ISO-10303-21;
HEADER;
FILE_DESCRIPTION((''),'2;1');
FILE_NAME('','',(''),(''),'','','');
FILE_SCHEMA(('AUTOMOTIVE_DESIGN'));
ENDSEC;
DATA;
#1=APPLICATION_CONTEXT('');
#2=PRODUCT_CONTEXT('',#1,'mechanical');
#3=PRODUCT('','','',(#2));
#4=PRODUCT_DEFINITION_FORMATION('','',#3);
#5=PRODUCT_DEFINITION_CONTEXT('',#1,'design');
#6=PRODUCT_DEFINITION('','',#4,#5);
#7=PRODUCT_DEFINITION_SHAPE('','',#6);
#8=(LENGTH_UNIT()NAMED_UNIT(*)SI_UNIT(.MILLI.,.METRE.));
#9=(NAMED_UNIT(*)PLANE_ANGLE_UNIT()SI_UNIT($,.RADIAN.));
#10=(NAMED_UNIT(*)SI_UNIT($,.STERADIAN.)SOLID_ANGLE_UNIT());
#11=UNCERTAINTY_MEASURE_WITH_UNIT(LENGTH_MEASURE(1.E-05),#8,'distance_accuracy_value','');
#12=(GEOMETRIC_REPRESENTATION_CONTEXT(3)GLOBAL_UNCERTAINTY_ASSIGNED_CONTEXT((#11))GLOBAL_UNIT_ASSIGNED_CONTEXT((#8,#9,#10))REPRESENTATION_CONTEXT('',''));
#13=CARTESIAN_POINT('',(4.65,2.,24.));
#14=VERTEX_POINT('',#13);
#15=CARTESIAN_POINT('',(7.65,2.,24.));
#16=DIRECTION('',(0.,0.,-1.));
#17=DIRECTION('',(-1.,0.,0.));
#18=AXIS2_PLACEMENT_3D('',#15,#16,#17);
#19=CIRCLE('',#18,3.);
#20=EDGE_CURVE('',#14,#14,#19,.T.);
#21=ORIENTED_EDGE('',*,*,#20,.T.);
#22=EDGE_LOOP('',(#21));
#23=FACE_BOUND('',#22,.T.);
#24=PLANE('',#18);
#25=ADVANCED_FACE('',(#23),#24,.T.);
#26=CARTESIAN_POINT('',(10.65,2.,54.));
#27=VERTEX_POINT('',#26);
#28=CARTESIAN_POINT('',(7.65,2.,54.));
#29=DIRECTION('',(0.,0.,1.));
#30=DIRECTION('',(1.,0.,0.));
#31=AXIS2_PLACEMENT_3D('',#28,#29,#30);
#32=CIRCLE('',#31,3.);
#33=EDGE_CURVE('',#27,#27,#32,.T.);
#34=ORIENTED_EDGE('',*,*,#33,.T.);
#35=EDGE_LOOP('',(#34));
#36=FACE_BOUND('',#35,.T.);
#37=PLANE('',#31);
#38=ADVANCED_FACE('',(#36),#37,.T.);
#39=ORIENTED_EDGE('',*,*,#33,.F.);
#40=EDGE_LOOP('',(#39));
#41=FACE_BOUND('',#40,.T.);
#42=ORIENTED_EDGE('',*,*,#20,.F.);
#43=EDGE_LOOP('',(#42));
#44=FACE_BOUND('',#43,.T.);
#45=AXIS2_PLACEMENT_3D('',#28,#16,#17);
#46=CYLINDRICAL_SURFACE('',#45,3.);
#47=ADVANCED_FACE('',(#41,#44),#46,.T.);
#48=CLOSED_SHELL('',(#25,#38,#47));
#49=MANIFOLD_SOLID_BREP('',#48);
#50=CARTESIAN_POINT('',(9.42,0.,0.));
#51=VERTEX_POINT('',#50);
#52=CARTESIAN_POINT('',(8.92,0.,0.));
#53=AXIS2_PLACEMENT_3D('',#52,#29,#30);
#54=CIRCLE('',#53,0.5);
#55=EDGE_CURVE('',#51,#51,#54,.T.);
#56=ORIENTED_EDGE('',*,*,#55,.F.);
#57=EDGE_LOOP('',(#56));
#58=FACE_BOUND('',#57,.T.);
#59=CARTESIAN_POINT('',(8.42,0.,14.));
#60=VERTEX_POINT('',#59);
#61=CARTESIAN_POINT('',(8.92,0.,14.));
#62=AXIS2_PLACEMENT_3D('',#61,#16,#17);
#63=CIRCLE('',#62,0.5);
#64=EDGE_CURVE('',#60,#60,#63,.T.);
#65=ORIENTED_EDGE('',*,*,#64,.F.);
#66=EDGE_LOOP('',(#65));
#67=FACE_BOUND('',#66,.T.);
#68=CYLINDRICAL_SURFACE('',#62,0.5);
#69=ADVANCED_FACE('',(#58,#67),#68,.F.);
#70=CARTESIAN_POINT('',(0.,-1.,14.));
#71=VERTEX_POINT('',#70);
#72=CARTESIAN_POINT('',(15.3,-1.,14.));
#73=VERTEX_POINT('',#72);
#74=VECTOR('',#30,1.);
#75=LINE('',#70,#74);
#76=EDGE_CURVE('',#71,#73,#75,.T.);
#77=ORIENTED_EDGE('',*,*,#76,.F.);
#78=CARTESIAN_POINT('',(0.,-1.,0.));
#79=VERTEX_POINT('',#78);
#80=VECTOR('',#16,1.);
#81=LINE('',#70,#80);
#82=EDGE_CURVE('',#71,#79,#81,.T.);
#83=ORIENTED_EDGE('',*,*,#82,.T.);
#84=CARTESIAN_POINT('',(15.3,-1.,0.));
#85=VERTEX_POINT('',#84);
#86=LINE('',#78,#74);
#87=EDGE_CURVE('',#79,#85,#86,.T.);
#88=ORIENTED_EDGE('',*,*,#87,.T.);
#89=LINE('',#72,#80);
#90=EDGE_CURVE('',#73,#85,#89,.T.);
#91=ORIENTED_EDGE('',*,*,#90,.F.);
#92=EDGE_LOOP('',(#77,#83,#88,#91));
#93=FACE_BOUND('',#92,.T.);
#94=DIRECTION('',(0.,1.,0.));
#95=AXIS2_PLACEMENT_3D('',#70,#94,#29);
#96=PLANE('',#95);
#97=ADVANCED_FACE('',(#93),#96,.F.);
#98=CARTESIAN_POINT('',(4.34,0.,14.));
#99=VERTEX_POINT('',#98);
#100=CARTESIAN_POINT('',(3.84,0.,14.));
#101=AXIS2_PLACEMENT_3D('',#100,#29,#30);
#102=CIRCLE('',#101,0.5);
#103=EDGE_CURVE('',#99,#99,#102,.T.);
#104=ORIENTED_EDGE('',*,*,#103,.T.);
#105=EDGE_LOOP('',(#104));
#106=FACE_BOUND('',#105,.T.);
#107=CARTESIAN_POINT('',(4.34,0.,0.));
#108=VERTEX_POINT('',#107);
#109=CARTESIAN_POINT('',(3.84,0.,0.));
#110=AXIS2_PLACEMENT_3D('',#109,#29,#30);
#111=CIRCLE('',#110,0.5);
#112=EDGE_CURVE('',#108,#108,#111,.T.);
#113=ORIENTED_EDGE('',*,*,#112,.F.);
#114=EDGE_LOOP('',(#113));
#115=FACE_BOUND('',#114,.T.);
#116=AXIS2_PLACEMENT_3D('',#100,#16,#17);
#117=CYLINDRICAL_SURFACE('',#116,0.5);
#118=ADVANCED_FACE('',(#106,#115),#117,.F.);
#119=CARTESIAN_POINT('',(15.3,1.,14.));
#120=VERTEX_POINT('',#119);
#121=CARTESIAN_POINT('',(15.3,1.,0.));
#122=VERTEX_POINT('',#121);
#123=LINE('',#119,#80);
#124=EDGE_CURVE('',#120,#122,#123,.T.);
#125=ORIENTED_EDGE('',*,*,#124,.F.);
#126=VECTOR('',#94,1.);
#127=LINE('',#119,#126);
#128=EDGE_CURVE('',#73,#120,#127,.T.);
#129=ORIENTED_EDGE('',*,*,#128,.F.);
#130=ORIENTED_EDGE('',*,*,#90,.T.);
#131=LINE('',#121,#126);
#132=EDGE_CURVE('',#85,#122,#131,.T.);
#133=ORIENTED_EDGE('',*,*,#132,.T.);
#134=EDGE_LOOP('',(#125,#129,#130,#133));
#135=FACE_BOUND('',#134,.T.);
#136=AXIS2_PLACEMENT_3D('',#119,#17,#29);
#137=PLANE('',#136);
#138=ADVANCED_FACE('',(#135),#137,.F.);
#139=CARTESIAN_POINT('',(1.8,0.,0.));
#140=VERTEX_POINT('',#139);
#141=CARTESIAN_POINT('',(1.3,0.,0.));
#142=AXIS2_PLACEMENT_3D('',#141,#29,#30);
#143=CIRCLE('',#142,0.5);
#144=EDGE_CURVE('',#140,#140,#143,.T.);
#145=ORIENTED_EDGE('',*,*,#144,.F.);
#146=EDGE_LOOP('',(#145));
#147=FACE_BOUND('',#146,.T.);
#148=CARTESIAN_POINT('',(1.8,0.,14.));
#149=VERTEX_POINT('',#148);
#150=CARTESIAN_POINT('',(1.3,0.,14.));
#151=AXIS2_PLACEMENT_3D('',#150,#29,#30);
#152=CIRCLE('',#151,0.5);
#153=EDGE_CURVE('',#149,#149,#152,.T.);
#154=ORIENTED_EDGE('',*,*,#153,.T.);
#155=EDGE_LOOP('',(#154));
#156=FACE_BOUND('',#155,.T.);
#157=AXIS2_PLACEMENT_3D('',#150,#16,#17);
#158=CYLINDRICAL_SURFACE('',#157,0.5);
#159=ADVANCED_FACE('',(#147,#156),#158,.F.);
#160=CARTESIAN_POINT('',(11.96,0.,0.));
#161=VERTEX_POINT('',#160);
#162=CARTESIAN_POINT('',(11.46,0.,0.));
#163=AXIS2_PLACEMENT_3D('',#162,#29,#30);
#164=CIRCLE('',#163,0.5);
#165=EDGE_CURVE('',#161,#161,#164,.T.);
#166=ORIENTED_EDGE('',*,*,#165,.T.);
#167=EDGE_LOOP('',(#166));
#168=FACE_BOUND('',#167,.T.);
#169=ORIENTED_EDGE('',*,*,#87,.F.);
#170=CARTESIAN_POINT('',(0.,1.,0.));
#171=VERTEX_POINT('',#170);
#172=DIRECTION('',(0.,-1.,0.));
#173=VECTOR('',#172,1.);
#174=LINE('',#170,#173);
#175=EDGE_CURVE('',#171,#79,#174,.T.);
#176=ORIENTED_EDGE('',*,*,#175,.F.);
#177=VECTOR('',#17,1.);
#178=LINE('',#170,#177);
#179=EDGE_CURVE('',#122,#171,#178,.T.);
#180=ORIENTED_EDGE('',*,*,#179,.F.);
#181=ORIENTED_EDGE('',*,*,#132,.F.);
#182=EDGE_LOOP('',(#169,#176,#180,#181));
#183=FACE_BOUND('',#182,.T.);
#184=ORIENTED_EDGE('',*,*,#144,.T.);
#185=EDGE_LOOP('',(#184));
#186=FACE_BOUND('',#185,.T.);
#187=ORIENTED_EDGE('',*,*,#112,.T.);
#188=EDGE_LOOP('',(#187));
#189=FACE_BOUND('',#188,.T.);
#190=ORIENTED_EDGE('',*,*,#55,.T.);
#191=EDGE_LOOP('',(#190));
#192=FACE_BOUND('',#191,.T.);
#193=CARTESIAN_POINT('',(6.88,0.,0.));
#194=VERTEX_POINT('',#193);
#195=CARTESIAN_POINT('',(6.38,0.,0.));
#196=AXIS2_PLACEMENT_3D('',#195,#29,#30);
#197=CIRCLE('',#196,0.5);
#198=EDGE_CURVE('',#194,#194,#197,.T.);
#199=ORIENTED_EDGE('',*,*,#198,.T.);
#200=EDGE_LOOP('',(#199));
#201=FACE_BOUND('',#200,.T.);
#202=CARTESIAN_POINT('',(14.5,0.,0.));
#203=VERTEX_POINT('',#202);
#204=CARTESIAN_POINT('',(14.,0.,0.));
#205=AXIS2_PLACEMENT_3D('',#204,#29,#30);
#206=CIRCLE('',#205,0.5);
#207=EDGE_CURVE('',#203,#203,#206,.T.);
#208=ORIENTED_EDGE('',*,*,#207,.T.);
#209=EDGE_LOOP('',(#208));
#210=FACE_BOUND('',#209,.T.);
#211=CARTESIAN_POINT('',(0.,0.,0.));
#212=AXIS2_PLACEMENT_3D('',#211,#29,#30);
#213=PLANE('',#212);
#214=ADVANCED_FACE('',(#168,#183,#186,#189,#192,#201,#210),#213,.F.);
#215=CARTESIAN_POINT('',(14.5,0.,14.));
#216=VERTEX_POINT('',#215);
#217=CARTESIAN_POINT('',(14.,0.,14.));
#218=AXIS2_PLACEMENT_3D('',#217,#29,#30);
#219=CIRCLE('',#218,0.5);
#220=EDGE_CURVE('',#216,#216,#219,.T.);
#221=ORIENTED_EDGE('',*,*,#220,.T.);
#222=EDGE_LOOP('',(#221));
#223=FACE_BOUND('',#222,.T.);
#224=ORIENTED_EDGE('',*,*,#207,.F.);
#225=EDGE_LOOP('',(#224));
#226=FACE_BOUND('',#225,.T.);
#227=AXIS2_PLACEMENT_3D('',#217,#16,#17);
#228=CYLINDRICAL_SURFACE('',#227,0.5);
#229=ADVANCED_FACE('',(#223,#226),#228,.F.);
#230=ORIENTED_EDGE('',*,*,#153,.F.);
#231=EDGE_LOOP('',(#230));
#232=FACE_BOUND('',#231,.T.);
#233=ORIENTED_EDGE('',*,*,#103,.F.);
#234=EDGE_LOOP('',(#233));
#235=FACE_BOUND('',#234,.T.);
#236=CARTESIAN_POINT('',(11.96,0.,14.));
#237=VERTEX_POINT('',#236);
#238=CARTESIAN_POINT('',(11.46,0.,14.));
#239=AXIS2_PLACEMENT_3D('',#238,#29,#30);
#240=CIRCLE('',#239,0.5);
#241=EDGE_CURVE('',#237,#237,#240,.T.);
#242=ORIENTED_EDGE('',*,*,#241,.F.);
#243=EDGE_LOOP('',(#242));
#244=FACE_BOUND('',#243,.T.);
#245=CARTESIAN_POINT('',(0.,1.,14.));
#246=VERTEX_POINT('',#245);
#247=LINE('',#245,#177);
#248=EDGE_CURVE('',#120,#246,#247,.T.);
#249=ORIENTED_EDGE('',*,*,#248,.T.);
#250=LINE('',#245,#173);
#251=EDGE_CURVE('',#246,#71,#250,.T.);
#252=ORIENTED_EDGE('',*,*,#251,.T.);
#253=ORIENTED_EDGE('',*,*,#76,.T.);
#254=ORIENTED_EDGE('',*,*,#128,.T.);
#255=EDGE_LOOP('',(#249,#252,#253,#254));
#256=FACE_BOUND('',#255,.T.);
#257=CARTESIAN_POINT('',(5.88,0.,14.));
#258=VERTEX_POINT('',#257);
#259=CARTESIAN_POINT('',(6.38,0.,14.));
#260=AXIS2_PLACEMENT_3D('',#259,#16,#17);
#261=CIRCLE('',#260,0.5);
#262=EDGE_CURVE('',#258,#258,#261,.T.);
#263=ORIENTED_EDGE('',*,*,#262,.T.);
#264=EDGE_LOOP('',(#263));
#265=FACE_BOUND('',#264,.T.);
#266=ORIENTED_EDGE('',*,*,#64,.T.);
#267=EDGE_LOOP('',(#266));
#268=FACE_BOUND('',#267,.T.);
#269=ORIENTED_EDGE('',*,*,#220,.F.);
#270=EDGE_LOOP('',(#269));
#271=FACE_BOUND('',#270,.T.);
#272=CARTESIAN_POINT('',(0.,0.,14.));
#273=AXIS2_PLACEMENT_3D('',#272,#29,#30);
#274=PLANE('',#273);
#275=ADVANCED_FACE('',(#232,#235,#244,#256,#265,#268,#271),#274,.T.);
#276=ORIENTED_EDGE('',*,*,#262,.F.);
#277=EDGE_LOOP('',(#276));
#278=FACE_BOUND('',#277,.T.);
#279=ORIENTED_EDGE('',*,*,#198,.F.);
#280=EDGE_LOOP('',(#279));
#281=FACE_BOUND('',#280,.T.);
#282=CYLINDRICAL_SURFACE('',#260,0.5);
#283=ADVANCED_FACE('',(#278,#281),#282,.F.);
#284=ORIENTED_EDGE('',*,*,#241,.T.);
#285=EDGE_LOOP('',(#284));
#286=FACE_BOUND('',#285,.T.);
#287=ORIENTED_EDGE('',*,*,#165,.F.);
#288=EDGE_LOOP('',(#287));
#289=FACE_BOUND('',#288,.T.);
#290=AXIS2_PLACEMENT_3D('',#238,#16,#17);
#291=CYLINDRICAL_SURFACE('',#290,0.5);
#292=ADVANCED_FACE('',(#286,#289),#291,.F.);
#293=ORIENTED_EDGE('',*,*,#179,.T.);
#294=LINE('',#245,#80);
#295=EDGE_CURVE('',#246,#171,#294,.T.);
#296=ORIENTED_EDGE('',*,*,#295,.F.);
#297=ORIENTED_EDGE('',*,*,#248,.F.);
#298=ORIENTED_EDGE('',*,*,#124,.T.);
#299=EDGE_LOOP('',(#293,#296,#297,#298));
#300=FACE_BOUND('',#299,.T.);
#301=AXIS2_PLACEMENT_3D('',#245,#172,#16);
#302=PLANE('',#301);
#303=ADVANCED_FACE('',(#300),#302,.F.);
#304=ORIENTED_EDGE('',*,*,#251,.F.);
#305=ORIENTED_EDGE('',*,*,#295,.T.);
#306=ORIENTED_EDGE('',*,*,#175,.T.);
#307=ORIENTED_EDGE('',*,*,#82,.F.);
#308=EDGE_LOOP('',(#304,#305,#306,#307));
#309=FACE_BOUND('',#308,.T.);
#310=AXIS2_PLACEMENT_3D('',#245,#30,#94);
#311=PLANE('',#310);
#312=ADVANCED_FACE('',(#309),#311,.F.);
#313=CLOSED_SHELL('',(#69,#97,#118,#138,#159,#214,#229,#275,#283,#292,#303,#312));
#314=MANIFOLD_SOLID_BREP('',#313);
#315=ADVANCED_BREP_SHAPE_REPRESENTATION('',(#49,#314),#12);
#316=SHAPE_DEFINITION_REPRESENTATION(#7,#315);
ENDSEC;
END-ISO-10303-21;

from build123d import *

# Parameters (mm, degrees)
ESQUISSE1_W             = 15.3
ESQUISSE1_H             = 2
ESQUISSE1_R             = 0.5
BOSS_EXTRU_1_DEPTH      = 14
ESQUISSE2_R             = 3
BOSS_EXTRU_2_DEPTH      = 40
ESQUISSE3_R             = 4
ENL_V_MAT_EXTRU_1_DEPTH = 10


with BuildPart() as part:
    # Esquisse1 → Boss.-Extru.1 (new body)
    with BuildSketch(Plane.XY):
        with Locations((7.65, 0)):
            Rectangle(ESQUISSE1_W, ESQUISSE1_H)
        with Locations((1.3, 0)):
            Circle(ESQUISSE1_R, mode=Mode.SUBTRACT)
        with Locations((3.84, 0)):
            Circle(ESQUISSE1_R, mode=Mode.SUBTRACT)
        with Locations((6.38, 0)):
            Circle(ESQUISSE1_R, mode=Mode.SUBTRACT)
        with Locations((8.92, 0)):
            Circle(ESQUISSE1_R, mode=Mode.SUBTRACT)
        with Locations((11.46, 0)):
            Circle(ESQUISSE1_R, mode=Mode.SUBTRACT)
        with Locations((14, 0)):
            Circle(ESQUISSE1_R, mode=Mode.SUBTRACT)
    extrude(amount=BOSS_EXTRU_1_DEPTH)

    # Esquisse2 → Boss.-Extru.2 (add)
    with BuildSketch(Plane.XY.offset(14)):
        with Locations(Location((7.65, 2, 0), (0, 0, 199.471220634))):
            Circle(ESQUISSE2_R)
    extrude(amount=BOSS_EXTRU_2_DEPTH)

    # Esquisse3 → Enlèv. mat.-Extru.1 (cut)
    with BuildSketch(Plane(origin=(0, 0, 14), x_dir=(-1, 0, 0), z_dir=(0, 0, -1))):
        with Locations((-7.65, 2)):
            Circle(ESQUISSE3_R)
    extrude(amount=-ENL_V_MAT_EXTRU_1_DEPTH, mode=Mode.SUBTRACT)


with BuildPart() as enl_v_mat_extru_1_piece_1:
    # of the separate pieces the step leaves, piece 1, a body of its own (enl_v_mat_extru_1_pieces)
    add(part.part.solids().sort_by_distance((4.821572875, 1, 24))[0])


with BuildPart() as enl_v_mat_extru_1_piece_2:
    # of the separate pieces the step leaves, piece 2, a body of its own (enl_v_mat_extru_1_pieces)
    add(part.part.solids().sort_by_distance((0, 1, 0))[0])


solid = Compound([enl_v_mat_extru_1_piece_1.part, enl_v_mat_extru_1_piece_2.part])
